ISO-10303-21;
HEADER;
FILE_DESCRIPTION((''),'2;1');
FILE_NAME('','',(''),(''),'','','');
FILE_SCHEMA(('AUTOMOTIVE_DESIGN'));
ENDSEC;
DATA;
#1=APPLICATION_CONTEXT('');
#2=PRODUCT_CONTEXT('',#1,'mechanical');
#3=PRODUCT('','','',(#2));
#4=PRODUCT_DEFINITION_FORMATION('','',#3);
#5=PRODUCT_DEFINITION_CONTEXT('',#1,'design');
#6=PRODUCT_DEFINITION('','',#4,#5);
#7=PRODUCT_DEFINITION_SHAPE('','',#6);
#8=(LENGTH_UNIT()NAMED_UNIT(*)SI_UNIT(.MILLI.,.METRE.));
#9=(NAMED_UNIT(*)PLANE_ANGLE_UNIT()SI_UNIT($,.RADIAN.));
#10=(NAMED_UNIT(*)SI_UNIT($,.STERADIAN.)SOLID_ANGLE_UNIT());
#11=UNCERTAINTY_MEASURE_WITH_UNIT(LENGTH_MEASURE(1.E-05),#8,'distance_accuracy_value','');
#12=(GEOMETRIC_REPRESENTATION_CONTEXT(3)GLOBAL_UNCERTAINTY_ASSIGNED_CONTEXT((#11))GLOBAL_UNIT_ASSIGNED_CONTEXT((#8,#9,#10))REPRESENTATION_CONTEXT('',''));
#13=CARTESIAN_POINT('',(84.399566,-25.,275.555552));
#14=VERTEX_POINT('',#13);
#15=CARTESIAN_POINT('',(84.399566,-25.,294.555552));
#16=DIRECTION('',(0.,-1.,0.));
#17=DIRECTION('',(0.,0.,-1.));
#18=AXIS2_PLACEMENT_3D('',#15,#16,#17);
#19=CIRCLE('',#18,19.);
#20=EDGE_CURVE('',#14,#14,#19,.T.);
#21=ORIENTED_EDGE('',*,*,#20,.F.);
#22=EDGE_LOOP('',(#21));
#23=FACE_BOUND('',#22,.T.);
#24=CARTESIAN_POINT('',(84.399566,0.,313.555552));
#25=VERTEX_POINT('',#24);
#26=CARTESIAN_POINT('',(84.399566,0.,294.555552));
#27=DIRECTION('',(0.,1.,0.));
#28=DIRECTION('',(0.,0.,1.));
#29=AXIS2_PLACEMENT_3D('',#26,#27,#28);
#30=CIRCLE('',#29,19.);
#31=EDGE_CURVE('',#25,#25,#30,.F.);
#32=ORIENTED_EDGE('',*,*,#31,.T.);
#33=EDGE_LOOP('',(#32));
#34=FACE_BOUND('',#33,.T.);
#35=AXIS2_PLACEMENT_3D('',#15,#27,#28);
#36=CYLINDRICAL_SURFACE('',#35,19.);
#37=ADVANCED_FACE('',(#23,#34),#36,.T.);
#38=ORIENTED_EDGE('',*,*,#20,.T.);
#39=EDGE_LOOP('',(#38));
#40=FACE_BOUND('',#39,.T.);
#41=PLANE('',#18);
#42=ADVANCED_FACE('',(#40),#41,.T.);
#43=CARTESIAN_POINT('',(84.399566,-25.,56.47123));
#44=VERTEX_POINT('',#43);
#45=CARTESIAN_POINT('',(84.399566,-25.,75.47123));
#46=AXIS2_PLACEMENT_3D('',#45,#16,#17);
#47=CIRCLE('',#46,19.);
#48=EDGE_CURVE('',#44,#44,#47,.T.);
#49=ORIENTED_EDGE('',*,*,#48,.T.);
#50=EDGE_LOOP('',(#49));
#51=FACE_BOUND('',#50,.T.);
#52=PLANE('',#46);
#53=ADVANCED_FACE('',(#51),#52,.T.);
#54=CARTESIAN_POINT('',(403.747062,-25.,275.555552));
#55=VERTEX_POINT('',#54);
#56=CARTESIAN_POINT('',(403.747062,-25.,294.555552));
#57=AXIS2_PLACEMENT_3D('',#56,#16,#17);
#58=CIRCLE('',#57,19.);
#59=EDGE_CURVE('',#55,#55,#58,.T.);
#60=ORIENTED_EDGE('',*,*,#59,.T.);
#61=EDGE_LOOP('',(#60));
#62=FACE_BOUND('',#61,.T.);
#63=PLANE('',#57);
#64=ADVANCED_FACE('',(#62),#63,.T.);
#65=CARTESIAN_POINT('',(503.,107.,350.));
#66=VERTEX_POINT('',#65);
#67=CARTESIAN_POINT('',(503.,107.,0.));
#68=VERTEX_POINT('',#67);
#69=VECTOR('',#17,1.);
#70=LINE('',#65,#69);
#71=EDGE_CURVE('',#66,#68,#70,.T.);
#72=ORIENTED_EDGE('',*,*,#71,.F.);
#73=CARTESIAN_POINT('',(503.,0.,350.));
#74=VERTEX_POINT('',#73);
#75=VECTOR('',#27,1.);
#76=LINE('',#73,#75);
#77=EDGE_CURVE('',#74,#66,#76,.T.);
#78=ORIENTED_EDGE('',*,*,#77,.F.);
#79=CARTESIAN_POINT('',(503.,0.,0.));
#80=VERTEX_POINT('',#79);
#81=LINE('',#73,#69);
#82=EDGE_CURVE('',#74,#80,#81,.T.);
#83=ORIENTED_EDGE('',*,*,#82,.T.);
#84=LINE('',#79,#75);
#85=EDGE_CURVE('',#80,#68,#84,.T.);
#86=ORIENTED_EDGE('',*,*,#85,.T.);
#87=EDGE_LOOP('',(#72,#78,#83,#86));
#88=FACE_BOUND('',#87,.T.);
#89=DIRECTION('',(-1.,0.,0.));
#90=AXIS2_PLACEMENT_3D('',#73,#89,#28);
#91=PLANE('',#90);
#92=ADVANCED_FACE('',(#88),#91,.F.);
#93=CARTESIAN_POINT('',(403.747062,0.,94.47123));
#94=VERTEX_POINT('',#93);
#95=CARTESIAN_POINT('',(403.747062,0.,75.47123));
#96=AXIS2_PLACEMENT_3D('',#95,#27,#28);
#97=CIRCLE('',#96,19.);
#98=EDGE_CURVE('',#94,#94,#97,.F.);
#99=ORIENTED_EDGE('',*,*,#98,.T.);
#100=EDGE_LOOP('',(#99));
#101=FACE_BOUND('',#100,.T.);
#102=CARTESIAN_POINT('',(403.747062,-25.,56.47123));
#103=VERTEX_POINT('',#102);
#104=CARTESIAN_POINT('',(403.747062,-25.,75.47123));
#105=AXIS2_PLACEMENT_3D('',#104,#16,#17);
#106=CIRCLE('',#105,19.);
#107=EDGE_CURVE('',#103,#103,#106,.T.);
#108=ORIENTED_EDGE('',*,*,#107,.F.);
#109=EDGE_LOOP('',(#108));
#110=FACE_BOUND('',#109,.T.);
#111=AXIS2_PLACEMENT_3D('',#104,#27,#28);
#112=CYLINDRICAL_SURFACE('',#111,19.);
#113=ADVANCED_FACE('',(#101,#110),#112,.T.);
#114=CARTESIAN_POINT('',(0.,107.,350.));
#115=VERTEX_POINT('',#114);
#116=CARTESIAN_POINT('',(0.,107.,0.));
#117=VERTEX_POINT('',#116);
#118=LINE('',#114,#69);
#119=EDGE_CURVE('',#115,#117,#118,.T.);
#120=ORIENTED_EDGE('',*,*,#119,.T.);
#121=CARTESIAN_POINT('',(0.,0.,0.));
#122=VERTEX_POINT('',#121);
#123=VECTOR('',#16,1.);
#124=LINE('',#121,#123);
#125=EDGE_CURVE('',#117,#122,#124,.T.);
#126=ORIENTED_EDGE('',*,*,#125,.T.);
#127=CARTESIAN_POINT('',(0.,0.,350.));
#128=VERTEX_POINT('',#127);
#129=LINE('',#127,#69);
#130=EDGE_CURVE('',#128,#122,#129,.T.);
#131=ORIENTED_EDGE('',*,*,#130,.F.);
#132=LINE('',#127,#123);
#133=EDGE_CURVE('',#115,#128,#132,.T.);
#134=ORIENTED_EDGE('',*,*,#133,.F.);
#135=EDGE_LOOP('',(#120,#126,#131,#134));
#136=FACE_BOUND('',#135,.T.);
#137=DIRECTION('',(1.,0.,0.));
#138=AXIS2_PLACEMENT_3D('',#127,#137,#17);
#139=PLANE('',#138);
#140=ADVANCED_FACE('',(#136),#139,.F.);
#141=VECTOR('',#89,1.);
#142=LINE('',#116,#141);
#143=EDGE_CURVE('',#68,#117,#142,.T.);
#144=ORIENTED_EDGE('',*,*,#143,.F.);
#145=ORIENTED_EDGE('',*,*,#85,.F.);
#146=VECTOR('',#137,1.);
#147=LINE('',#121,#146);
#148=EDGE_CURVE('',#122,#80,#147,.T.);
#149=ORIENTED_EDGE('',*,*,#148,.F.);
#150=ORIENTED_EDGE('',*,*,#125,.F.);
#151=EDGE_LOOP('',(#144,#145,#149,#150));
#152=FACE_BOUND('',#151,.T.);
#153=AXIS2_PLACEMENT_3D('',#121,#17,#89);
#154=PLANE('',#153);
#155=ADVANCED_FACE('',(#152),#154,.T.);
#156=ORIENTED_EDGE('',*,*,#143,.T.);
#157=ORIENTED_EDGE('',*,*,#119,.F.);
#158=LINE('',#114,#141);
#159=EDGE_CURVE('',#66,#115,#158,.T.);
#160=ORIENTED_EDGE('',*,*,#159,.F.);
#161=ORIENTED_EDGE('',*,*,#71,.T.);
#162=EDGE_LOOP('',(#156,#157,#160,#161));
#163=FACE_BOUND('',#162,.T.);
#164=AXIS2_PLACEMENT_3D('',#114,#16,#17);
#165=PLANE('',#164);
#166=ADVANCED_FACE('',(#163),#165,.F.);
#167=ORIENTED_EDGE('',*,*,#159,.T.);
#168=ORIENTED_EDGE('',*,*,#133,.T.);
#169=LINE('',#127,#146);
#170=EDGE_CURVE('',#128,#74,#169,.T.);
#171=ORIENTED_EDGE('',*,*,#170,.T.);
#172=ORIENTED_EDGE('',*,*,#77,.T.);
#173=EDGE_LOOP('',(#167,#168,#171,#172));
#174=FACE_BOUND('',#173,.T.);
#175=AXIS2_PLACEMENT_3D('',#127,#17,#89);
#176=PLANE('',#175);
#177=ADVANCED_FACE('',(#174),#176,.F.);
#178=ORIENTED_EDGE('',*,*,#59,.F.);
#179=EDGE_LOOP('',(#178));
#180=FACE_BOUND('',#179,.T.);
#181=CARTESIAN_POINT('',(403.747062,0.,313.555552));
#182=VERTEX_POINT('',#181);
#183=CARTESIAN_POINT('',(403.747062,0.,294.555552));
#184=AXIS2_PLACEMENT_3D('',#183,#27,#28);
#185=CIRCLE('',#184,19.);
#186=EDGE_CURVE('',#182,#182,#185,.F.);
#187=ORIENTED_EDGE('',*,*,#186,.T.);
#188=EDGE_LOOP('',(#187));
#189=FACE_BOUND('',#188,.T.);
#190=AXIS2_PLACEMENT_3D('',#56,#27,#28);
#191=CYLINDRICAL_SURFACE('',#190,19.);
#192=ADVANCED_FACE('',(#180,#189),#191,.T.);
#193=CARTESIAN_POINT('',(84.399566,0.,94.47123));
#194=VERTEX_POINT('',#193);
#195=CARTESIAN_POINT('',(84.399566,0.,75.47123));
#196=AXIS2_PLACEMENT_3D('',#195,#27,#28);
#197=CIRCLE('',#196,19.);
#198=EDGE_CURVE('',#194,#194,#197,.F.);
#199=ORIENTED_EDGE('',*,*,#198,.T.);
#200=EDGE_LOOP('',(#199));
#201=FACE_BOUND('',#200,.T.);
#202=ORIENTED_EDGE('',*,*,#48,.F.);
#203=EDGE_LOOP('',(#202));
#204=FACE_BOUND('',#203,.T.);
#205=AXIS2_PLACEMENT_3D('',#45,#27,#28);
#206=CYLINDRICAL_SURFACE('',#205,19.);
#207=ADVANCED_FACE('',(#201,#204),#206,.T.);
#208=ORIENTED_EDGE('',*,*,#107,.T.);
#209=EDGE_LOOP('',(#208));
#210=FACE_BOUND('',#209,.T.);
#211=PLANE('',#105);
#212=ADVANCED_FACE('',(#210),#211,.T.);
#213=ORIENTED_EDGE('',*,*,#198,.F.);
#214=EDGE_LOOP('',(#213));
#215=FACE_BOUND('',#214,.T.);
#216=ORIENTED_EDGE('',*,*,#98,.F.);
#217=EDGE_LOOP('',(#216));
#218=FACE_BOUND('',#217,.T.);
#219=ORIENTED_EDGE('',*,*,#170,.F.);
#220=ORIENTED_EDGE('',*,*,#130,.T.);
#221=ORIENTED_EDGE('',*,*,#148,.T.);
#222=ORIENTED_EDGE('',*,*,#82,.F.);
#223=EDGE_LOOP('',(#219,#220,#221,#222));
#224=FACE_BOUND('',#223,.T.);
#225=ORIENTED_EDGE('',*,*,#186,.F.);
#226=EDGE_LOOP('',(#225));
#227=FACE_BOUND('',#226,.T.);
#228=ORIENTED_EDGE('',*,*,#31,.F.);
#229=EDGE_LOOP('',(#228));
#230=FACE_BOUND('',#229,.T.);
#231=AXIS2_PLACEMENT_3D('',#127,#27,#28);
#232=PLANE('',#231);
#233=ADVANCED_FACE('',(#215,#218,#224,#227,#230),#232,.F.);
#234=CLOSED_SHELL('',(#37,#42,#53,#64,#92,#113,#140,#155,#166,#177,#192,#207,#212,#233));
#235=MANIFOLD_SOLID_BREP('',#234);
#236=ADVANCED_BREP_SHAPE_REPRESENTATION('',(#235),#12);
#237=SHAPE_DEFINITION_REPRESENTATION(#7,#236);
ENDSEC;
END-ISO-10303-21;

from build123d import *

# Parameters (mm, degrees)
SKIZZE1_W                       = 503
SKIZZE1_H                       = 107
AUFSATZ_LINEAR_AUSTRAGEN1_DEPTH = 350
SKIZZE2_R                       = 19
AUFSATZ_LINEAR_AUSTRAGEN2_DEPTH = 25


with BuildPart() as part:
    # Skizze1 → Aufsatz-Linear austragen1 (new body)
    with BuildSketch(Plane.XY):
        with Locations((251.5, 53.5)):
            Rectangle(SKIZZE1_W, SKIZZE1_H)
    extrude(amount=AUFSATZ_LINEAR_AUSTRAGEN1_DEPTH)

    # Skizze2 → Aufsatz-Linear austragen2 (add)
    with BuildSketch(Plane.XZ):
        with Locations(Location((84.399565915, 294.555551984, 0), (0, 0, 90))):
            Circle(SKIZZE2_R)
        with Locations(Location((403.747062166, 294.555551984, 0), (0, 0, 90))):
            Circle(SKIZZE2_R)
        with Locations(Location((403.747062166, 75.47123017, 0), (0, 0, 90))):
            Circle(SKIZZE2_R)
        with Locations(Location((84.399565915, 75.47123017, 0), (0, 0, 90))):
            Circle(SKIZZE2_R)
    extrude(amount=AUFSATZ_LINEAR_AUSTRAGEN2_DEPTH)


solid = part.part
